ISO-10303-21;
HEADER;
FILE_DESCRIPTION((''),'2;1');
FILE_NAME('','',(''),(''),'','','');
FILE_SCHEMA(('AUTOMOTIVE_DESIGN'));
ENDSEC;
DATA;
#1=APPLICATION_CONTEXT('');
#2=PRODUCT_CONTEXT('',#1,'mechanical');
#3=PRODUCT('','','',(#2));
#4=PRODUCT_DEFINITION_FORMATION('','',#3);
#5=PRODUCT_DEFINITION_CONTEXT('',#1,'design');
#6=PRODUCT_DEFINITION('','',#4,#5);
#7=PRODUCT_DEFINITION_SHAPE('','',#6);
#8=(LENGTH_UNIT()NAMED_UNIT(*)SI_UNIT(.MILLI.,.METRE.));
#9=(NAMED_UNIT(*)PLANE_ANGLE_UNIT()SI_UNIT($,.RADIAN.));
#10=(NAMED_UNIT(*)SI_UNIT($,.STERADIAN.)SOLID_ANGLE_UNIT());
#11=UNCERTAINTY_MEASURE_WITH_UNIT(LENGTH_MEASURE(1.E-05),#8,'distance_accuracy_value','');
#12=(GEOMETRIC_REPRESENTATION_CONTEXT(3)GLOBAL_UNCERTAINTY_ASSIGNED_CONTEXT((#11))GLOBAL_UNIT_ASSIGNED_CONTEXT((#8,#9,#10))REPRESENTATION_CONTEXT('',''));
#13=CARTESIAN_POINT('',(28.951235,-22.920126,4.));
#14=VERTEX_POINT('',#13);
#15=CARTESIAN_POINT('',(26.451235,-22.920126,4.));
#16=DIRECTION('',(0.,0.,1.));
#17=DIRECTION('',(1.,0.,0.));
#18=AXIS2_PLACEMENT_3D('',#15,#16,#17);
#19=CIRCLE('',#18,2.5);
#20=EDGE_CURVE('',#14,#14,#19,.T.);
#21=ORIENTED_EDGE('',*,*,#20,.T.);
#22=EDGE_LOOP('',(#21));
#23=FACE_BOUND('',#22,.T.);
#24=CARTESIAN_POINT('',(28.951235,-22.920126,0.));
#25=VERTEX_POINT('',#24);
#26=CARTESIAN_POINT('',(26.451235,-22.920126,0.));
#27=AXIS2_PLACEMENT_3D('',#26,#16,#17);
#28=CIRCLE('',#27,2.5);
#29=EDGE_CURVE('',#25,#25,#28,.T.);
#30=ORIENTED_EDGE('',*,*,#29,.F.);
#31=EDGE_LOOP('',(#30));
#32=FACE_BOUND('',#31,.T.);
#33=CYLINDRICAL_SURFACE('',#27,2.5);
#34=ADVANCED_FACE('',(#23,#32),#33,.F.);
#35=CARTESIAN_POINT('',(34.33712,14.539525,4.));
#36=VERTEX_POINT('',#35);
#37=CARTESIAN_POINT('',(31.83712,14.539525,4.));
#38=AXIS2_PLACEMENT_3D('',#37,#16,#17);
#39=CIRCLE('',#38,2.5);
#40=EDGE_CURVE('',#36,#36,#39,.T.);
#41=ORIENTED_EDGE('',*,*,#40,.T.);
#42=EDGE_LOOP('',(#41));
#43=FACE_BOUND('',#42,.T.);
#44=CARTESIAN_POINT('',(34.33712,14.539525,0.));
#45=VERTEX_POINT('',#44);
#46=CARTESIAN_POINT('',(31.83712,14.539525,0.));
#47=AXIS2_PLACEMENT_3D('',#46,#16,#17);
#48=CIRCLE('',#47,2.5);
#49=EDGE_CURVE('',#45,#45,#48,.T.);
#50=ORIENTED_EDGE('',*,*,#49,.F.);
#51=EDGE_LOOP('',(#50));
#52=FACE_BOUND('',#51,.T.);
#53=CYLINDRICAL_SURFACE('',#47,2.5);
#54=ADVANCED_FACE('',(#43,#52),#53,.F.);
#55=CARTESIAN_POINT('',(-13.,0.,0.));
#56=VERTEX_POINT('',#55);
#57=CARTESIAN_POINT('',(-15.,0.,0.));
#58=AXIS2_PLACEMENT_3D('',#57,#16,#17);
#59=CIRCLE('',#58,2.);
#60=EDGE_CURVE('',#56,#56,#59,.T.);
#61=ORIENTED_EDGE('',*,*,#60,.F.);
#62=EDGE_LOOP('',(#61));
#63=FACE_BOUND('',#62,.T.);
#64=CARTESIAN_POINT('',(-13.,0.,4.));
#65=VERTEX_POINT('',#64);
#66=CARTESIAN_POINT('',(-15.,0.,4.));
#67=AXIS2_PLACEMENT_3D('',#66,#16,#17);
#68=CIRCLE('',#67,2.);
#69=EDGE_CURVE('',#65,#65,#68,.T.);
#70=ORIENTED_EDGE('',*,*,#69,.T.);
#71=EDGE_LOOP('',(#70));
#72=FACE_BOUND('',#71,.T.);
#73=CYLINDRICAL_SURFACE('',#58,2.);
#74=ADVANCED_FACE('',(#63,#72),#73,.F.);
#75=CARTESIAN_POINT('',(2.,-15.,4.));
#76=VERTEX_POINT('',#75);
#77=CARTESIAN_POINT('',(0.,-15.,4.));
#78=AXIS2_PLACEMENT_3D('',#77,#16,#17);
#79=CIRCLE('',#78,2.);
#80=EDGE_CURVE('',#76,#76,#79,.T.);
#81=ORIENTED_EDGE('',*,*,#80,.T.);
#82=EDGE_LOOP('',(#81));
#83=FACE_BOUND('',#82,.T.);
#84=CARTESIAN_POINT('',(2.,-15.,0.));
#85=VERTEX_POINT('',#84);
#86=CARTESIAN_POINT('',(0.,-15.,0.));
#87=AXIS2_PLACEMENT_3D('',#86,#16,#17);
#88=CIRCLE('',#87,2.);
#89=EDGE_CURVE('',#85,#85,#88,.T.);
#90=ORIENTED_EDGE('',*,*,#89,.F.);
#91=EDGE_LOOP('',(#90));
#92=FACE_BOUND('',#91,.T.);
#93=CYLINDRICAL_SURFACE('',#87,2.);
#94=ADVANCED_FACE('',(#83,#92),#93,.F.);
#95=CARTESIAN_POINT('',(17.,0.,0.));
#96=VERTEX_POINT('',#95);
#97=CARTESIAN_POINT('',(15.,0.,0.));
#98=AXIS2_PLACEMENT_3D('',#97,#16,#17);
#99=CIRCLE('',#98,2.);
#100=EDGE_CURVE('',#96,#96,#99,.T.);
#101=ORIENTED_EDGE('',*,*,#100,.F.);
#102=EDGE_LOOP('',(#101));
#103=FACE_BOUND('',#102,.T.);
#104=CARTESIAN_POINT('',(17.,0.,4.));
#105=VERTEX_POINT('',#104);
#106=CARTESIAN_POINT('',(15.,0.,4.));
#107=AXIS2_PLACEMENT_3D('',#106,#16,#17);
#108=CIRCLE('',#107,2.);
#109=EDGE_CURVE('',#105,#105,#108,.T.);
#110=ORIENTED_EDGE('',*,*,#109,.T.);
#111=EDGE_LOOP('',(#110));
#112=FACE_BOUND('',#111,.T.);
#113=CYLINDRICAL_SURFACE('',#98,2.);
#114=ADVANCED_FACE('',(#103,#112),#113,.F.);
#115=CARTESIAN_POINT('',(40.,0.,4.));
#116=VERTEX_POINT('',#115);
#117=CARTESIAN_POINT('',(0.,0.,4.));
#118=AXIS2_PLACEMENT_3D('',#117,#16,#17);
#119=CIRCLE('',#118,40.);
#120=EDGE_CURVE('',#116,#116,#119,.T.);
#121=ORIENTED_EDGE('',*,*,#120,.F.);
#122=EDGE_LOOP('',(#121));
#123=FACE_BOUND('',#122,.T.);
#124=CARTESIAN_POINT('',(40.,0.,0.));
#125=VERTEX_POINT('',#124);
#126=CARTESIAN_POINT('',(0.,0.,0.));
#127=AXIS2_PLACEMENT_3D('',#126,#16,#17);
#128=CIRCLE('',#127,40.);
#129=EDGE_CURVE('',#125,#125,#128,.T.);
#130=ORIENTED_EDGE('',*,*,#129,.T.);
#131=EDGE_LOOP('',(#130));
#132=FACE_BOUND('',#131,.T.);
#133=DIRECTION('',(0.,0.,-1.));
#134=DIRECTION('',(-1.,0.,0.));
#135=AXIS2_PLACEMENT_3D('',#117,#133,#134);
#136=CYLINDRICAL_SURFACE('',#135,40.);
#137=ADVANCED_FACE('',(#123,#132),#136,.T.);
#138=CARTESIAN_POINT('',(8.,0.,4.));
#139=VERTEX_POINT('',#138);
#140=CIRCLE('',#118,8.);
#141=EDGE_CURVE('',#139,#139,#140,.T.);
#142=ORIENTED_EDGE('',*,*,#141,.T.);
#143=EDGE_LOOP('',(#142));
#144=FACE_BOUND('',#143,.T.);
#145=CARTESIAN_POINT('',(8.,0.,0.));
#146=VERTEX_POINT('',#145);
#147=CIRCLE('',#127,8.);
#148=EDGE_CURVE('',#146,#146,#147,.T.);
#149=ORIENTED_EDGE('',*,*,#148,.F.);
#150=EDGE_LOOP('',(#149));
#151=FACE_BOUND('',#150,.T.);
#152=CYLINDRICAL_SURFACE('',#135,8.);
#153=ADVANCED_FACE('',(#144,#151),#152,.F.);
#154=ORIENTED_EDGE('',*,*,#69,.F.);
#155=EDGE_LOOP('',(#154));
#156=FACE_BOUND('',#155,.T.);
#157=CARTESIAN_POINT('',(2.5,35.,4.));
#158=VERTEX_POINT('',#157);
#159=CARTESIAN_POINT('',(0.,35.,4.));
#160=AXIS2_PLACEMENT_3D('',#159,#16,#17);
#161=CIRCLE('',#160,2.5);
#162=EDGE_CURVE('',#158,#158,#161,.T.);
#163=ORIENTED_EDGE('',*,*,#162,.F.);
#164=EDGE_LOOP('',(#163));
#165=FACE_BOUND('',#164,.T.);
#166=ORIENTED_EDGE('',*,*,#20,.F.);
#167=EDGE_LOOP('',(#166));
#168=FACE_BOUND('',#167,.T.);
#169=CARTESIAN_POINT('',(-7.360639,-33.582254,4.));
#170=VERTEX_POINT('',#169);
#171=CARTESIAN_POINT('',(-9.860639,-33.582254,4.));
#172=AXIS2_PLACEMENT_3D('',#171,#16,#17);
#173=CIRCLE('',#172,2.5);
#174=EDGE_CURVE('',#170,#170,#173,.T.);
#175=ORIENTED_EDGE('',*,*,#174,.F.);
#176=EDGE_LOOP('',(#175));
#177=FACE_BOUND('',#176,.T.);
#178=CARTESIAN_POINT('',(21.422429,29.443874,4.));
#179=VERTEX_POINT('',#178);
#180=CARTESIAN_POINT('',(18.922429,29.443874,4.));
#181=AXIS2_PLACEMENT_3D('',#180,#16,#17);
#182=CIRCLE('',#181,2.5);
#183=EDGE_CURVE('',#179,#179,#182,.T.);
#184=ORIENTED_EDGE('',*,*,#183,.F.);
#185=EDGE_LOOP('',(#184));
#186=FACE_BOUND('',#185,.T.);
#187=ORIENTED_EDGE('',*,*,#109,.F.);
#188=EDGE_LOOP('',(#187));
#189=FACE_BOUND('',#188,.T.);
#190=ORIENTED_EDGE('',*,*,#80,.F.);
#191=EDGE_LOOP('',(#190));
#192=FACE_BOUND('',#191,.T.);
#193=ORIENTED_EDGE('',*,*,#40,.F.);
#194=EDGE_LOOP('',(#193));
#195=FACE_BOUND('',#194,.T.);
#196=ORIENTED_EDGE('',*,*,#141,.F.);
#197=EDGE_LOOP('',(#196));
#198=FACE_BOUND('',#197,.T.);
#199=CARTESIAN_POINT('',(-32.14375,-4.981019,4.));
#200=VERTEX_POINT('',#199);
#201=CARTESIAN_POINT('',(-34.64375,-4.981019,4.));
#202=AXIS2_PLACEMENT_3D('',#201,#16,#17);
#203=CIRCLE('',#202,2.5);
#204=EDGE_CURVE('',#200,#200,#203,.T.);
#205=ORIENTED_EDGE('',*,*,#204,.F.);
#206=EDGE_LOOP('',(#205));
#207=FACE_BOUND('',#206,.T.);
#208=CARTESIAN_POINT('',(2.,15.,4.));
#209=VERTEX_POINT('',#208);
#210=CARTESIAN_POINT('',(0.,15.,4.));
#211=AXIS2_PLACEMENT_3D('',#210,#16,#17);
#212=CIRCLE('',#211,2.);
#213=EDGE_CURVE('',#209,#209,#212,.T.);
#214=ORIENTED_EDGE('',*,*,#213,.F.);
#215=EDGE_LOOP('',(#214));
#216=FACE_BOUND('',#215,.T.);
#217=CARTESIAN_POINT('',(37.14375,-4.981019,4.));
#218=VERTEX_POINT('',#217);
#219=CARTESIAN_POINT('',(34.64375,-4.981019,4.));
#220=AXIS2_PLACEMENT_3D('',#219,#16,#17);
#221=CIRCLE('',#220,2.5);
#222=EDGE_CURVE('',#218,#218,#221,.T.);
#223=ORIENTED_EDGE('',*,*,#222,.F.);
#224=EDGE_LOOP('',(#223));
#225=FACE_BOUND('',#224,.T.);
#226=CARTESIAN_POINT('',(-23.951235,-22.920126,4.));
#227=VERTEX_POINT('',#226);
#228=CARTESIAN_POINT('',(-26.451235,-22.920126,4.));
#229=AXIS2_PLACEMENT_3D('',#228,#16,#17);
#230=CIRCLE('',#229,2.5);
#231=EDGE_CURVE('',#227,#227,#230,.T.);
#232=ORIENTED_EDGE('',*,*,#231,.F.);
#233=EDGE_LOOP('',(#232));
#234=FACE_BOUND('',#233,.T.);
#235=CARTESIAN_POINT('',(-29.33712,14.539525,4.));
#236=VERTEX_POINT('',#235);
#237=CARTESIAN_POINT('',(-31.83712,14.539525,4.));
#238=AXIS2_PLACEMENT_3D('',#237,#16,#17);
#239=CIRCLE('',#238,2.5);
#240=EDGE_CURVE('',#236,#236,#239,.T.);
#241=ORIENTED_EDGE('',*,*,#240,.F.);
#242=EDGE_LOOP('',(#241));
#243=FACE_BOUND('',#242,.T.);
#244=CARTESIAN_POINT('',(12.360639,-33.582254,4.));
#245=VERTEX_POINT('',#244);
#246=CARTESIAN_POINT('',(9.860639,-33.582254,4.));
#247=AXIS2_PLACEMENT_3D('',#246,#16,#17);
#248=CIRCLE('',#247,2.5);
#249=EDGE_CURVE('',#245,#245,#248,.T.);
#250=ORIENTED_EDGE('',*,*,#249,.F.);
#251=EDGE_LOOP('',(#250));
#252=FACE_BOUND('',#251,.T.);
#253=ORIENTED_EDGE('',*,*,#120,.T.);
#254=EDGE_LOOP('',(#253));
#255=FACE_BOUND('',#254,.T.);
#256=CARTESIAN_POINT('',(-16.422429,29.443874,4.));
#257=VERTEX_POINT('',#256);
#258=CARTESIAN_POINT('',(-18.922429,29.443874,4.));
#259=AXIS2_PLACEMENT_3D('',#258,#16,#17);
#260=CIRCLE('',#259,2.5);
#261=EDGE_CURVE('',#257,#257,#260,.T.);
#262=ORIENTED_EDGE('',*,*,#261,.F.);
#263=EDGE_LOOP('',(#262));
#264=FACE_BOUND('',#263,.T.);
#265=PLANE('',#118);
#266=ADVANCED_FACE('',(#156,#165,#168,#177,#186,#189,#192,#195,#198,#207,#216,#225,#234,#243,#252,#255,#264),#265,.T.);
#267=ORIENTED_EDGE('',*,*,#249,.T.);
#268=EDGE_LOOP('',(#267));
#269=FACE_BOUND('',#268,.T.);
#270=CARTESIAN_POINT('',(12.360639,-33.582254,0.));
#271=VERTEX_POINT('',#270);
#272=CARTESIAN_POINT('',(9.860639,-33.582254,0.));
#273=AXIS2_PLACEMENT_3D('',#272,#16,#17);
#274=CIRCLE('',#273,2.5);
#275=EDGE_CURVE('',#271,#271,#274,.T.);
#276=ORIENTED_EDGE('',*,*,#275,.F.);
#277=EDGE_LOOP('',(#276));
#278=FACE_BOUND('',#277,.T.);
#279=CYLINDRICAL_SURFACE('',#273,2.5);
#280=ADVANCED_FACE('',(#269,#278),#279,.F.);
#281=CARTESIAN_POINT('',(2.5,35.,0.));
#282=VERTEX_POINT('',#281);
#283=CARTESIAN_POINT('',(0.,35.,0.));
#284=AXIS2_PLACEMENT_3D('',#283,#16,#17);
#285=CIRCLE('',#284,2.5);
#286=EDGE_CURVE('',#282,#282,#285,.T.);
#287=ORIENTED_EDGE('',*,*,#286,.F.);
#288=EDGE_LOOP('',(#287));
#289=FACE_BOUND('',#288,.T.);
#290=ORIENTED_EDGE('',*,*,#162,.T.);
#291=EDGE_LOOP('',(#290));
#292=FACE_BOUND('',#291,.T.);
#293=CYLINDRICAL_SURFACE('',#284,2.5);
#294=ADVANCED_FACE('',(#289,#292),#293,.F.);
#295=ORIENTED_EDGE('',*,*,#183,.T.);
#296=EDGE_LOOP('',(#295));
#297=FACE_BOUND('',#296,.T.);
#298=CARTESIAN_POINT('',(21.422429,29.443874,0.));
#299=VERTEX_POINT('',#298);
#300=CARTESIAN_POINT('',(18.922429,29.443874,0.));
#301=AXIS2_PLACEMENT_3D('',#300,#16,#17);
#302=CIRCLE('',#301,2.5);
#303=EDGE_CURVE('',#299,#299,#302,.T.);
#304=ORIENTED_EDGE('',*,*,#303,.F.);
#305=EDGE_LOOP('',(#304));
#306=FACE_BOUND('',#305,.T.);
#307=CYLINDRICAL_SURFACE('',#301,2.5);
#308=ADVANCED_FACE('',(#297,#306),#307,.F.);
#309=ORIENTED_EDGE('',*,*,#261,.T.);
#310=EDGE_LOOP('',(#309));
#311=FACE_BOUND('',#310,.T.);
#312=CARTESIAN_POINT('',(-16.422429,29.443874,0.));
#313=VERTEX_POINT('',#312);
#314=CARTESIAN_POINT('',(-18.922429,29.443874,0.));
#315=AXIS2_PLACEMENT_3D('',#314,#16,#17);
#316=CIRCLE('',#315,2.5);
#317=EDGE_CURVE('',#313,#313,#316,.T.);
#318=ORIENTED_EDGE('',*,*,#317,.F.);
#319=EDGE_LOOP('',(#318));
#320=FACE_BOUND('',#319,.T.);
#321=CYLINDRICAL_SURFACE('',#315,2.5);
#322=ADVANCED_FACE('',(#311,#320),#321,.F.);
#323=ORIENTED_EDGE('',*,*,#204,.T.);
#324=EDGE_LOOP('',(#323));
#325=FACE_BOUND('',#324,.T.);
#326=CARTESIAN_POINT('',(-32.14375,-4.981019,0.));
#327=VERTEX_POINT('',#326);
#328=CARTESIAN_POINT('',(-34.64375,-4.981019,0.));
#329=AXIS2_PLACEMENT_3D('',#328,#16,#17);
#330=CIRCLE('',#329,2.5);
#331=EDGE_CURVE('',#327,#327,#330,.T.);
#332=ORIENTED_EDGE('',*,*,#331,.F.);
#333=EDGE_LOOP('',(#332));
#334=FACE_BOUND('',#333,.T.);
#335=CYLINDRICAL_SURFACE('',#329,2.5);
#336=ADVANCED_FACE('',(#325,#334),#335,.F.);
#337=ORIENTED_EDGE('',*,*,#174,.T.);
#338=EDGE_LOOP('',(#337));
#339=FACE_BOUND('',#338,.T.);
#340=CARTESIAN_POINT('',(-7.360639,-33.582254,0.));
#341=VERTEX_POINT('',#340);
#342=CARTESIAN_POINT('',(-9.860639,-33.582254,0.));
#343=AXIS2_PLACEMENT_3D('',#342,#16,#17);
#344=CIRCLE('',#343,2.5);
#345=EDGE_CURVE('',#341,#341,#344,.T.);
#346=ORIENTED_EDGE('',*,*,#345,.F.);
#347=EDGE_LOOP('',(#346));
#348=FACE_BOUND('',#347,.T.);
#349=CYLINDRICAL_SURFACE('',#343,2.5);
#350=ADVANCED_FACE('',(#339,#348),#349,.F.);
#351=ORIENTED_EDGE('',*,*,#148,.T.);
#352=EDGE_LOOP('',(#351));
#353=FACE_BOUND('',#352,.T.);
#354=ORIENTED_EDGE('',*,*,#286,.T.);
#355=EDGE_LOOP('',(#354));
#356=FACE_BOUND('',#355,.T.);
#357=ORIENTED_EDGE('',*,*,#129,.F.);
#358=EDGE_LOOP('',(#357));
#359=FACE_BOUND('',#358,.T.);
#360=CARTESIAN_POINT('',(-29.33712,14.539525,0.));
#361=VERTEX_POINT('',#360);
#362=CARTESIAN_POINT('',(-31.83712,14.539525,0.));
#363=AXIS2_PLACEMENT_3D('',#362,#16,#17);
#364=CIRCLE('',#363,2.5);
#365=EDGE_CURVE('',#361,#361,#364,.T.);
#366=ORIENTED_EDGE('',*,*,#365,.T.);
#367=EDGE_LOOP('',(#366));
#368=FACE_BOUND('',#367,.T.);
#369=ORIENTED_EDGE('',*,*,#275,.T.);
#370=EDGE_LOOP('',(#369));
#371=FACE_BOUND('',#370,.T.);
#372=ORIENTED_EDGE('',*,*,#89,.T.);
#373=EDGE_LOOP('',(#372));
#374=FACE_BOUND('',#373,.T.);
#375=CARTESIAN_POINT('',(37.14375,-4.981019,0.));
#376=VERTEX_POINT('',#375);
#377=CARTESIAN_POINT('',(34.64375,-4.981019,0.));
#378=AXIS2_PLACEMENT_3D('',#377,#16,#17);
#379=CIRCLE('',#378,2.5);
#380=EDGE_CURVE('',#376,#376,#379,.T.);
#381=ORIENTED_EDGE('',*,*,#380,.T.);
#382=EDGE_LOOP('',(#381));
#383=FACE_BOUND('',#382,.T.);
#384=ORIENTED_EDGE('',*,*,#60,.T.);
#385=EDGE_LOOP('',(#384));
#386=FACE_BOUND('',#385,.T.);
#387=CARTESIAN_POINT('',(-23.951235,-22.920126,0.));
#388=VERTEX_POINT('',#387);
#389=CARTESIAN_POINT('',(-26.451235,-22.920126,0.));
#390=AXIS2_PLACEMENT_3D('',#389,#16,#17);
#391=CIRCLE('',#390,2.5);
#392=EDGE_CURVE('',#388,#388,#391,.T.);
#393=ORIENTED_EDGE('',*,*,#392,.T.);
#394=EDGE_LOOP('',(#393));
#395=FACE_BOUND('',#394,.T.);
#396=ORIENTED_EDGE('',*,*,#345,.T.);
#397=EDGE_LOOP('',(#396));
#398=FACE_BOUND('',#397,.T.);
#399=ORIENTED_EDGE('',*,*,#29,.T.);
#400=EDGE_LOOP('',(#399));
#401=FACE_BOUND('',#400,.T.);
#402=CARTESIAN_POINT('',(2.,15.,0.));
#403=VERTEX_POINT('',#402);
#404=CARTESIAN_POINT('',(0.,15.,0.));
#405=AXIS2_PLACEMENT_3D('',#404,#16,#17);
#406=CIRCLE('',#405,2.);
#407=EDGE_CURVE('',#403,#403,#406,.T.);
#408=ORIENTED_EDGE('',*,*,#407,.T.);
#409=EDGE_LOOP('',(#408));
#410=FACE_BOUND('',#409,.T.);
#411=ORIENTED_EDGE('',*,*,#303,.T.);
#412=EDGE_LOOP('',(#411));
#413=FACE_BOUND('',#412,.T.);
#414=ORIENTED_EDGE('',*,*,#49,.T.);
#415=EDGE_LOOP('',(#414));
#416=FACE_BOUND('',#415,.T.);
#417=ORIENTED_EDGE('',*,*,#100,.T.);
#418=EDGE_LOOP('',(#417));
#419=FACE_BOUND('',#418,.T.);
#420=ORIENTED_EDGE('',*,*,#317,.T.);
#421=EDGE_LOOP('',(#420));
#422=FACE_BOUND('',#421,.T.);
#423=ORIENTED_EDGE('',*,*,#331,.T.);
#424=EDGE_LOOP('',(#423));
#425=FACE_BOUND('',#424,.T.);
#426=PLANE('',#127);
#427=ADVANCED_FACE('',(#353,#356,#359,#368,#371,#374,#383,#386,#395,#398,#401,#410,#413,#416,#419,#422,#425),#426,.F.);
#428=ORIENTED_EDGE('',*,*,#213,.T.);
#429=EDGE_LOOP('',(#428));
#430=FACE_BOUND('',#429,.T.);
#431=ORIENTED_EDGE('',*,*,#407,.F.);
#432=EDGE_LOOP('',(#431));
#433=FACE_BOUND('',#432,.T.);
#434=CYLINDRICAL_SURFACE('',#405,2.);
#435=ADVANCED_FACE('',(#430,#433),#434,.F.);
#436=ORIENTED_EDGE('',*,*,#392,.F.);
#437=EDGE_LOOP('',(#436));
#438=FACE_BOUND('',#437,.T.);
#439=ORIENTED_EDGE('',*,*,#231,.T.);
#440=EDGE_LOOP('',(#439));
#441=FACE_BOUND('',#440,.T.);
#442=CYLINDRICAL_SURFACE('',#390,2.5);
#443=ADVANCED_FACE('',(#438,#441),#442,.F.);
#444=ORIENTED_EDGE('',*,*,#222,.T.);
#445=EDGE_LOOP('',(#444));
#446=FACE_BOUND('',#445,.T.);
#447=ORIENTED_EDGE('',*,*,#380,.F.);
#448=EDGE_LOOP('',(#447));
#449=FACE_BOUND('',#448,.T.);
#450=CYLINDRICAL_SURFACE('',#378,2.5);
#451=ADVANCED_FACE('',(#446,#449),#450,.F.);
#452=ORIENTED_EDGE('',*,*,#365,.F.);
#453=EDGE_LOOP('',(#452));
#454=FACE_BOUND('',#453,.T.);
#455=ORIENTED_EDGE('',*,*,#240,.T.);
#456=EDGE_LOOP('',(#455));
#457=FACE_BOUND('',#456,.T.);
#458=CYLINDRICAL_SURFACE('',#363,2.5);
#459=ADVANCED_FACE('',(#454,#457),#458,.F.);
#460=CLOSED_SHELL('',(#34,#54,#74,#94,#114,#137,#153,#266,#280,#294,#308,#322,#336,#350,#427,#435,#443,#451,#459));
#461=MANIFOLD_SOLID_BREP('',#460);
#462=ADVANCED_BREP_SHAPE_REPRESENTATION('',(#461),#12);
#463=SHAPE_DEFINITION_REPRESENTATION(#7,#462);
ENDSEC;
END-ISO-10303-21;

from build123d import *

# Parameters (mm, degrees)
SKETCH1_R           = 40
SKETCH1_R_2         = 8
BOSS_EXTRUDE1_DEPTH = 4
SKETCH2_R           = 2.5
CUT_EXTRUDE1_DEPTH  = 4
SKETCH3_R           = 2
CUT_EXTRUDE2_DEPTH  = 4


with BuildPart() as part:
    # Sketch1 → Boss-Extrude1 (new body)
    with BuildSketch(Plane.XY):
        Circle(SKETCH1_R)
        Circle(SKETCH1_R_2, mode=Mode.SUBTRACT)
    extrude(amount=BOSS_EXTRUDE1_DEPTH)

    # Sketch2 → Cut-Extrude1 (cut)
    with BuildSketch(Plane.XY.offset(4)):
        with Locations((0, 35)):
            Circle(SKETCH2_R)
        with Locations((18.922428611, 29.443873649)):
            Circle(SKETCH2_R)
        with Locations((31.837119837, 14.539525455)):
            Circle(SKETCH2_R)
        with Locations((34.643750466, -4.98101934)):
            Circle(SKETCH2_R)
        with Locations((26.451235102, -22.920125688)):
            Circle(SKETCH2_R)
        with Locations((9.860639489, -33.582254077)):
            Circle(SKETCH2_R)
        with Locations((-9.860639489, -33.582254077)):
            Circle(SKETCH2_R)
        with Locations((-26.451235102, -22.920125688)):
            Circle(SKETCH2_R)
        with Locations((-34.643750466, -4.98101934)):
            Circle(SKETCH2_R)
        with Locations((-31.837119837, 14.539525455)):
            Circle(SKETCH2_R)
        with Locations((-18.922428611, 29.443873649)):
            Circle(SKETCH2_R)
    extrude(amount=-CUT_EXTRUDE1_DEPTH, mode=Mode.SUBTRACT)

    # Sketch3 → Cut-Extrude2 (cut)
    with BuildSketch(Plane.XY.offset(4)):
        with Locations((0, 15)):
            Circle(SKETCH3_R)
        with Locations((15, 0)):
            Circle(SKETCH3_R)
        with Locations((0, -15)):
            Circle(SKETCH3_R)
        with Locations((-15, 0)):
            Circle(SKETCH3_R)
    extrude(amount=-CUT_EXTRUDE2_DEPTH, mode=Mode.SUBTRACT)


solid = part.part
